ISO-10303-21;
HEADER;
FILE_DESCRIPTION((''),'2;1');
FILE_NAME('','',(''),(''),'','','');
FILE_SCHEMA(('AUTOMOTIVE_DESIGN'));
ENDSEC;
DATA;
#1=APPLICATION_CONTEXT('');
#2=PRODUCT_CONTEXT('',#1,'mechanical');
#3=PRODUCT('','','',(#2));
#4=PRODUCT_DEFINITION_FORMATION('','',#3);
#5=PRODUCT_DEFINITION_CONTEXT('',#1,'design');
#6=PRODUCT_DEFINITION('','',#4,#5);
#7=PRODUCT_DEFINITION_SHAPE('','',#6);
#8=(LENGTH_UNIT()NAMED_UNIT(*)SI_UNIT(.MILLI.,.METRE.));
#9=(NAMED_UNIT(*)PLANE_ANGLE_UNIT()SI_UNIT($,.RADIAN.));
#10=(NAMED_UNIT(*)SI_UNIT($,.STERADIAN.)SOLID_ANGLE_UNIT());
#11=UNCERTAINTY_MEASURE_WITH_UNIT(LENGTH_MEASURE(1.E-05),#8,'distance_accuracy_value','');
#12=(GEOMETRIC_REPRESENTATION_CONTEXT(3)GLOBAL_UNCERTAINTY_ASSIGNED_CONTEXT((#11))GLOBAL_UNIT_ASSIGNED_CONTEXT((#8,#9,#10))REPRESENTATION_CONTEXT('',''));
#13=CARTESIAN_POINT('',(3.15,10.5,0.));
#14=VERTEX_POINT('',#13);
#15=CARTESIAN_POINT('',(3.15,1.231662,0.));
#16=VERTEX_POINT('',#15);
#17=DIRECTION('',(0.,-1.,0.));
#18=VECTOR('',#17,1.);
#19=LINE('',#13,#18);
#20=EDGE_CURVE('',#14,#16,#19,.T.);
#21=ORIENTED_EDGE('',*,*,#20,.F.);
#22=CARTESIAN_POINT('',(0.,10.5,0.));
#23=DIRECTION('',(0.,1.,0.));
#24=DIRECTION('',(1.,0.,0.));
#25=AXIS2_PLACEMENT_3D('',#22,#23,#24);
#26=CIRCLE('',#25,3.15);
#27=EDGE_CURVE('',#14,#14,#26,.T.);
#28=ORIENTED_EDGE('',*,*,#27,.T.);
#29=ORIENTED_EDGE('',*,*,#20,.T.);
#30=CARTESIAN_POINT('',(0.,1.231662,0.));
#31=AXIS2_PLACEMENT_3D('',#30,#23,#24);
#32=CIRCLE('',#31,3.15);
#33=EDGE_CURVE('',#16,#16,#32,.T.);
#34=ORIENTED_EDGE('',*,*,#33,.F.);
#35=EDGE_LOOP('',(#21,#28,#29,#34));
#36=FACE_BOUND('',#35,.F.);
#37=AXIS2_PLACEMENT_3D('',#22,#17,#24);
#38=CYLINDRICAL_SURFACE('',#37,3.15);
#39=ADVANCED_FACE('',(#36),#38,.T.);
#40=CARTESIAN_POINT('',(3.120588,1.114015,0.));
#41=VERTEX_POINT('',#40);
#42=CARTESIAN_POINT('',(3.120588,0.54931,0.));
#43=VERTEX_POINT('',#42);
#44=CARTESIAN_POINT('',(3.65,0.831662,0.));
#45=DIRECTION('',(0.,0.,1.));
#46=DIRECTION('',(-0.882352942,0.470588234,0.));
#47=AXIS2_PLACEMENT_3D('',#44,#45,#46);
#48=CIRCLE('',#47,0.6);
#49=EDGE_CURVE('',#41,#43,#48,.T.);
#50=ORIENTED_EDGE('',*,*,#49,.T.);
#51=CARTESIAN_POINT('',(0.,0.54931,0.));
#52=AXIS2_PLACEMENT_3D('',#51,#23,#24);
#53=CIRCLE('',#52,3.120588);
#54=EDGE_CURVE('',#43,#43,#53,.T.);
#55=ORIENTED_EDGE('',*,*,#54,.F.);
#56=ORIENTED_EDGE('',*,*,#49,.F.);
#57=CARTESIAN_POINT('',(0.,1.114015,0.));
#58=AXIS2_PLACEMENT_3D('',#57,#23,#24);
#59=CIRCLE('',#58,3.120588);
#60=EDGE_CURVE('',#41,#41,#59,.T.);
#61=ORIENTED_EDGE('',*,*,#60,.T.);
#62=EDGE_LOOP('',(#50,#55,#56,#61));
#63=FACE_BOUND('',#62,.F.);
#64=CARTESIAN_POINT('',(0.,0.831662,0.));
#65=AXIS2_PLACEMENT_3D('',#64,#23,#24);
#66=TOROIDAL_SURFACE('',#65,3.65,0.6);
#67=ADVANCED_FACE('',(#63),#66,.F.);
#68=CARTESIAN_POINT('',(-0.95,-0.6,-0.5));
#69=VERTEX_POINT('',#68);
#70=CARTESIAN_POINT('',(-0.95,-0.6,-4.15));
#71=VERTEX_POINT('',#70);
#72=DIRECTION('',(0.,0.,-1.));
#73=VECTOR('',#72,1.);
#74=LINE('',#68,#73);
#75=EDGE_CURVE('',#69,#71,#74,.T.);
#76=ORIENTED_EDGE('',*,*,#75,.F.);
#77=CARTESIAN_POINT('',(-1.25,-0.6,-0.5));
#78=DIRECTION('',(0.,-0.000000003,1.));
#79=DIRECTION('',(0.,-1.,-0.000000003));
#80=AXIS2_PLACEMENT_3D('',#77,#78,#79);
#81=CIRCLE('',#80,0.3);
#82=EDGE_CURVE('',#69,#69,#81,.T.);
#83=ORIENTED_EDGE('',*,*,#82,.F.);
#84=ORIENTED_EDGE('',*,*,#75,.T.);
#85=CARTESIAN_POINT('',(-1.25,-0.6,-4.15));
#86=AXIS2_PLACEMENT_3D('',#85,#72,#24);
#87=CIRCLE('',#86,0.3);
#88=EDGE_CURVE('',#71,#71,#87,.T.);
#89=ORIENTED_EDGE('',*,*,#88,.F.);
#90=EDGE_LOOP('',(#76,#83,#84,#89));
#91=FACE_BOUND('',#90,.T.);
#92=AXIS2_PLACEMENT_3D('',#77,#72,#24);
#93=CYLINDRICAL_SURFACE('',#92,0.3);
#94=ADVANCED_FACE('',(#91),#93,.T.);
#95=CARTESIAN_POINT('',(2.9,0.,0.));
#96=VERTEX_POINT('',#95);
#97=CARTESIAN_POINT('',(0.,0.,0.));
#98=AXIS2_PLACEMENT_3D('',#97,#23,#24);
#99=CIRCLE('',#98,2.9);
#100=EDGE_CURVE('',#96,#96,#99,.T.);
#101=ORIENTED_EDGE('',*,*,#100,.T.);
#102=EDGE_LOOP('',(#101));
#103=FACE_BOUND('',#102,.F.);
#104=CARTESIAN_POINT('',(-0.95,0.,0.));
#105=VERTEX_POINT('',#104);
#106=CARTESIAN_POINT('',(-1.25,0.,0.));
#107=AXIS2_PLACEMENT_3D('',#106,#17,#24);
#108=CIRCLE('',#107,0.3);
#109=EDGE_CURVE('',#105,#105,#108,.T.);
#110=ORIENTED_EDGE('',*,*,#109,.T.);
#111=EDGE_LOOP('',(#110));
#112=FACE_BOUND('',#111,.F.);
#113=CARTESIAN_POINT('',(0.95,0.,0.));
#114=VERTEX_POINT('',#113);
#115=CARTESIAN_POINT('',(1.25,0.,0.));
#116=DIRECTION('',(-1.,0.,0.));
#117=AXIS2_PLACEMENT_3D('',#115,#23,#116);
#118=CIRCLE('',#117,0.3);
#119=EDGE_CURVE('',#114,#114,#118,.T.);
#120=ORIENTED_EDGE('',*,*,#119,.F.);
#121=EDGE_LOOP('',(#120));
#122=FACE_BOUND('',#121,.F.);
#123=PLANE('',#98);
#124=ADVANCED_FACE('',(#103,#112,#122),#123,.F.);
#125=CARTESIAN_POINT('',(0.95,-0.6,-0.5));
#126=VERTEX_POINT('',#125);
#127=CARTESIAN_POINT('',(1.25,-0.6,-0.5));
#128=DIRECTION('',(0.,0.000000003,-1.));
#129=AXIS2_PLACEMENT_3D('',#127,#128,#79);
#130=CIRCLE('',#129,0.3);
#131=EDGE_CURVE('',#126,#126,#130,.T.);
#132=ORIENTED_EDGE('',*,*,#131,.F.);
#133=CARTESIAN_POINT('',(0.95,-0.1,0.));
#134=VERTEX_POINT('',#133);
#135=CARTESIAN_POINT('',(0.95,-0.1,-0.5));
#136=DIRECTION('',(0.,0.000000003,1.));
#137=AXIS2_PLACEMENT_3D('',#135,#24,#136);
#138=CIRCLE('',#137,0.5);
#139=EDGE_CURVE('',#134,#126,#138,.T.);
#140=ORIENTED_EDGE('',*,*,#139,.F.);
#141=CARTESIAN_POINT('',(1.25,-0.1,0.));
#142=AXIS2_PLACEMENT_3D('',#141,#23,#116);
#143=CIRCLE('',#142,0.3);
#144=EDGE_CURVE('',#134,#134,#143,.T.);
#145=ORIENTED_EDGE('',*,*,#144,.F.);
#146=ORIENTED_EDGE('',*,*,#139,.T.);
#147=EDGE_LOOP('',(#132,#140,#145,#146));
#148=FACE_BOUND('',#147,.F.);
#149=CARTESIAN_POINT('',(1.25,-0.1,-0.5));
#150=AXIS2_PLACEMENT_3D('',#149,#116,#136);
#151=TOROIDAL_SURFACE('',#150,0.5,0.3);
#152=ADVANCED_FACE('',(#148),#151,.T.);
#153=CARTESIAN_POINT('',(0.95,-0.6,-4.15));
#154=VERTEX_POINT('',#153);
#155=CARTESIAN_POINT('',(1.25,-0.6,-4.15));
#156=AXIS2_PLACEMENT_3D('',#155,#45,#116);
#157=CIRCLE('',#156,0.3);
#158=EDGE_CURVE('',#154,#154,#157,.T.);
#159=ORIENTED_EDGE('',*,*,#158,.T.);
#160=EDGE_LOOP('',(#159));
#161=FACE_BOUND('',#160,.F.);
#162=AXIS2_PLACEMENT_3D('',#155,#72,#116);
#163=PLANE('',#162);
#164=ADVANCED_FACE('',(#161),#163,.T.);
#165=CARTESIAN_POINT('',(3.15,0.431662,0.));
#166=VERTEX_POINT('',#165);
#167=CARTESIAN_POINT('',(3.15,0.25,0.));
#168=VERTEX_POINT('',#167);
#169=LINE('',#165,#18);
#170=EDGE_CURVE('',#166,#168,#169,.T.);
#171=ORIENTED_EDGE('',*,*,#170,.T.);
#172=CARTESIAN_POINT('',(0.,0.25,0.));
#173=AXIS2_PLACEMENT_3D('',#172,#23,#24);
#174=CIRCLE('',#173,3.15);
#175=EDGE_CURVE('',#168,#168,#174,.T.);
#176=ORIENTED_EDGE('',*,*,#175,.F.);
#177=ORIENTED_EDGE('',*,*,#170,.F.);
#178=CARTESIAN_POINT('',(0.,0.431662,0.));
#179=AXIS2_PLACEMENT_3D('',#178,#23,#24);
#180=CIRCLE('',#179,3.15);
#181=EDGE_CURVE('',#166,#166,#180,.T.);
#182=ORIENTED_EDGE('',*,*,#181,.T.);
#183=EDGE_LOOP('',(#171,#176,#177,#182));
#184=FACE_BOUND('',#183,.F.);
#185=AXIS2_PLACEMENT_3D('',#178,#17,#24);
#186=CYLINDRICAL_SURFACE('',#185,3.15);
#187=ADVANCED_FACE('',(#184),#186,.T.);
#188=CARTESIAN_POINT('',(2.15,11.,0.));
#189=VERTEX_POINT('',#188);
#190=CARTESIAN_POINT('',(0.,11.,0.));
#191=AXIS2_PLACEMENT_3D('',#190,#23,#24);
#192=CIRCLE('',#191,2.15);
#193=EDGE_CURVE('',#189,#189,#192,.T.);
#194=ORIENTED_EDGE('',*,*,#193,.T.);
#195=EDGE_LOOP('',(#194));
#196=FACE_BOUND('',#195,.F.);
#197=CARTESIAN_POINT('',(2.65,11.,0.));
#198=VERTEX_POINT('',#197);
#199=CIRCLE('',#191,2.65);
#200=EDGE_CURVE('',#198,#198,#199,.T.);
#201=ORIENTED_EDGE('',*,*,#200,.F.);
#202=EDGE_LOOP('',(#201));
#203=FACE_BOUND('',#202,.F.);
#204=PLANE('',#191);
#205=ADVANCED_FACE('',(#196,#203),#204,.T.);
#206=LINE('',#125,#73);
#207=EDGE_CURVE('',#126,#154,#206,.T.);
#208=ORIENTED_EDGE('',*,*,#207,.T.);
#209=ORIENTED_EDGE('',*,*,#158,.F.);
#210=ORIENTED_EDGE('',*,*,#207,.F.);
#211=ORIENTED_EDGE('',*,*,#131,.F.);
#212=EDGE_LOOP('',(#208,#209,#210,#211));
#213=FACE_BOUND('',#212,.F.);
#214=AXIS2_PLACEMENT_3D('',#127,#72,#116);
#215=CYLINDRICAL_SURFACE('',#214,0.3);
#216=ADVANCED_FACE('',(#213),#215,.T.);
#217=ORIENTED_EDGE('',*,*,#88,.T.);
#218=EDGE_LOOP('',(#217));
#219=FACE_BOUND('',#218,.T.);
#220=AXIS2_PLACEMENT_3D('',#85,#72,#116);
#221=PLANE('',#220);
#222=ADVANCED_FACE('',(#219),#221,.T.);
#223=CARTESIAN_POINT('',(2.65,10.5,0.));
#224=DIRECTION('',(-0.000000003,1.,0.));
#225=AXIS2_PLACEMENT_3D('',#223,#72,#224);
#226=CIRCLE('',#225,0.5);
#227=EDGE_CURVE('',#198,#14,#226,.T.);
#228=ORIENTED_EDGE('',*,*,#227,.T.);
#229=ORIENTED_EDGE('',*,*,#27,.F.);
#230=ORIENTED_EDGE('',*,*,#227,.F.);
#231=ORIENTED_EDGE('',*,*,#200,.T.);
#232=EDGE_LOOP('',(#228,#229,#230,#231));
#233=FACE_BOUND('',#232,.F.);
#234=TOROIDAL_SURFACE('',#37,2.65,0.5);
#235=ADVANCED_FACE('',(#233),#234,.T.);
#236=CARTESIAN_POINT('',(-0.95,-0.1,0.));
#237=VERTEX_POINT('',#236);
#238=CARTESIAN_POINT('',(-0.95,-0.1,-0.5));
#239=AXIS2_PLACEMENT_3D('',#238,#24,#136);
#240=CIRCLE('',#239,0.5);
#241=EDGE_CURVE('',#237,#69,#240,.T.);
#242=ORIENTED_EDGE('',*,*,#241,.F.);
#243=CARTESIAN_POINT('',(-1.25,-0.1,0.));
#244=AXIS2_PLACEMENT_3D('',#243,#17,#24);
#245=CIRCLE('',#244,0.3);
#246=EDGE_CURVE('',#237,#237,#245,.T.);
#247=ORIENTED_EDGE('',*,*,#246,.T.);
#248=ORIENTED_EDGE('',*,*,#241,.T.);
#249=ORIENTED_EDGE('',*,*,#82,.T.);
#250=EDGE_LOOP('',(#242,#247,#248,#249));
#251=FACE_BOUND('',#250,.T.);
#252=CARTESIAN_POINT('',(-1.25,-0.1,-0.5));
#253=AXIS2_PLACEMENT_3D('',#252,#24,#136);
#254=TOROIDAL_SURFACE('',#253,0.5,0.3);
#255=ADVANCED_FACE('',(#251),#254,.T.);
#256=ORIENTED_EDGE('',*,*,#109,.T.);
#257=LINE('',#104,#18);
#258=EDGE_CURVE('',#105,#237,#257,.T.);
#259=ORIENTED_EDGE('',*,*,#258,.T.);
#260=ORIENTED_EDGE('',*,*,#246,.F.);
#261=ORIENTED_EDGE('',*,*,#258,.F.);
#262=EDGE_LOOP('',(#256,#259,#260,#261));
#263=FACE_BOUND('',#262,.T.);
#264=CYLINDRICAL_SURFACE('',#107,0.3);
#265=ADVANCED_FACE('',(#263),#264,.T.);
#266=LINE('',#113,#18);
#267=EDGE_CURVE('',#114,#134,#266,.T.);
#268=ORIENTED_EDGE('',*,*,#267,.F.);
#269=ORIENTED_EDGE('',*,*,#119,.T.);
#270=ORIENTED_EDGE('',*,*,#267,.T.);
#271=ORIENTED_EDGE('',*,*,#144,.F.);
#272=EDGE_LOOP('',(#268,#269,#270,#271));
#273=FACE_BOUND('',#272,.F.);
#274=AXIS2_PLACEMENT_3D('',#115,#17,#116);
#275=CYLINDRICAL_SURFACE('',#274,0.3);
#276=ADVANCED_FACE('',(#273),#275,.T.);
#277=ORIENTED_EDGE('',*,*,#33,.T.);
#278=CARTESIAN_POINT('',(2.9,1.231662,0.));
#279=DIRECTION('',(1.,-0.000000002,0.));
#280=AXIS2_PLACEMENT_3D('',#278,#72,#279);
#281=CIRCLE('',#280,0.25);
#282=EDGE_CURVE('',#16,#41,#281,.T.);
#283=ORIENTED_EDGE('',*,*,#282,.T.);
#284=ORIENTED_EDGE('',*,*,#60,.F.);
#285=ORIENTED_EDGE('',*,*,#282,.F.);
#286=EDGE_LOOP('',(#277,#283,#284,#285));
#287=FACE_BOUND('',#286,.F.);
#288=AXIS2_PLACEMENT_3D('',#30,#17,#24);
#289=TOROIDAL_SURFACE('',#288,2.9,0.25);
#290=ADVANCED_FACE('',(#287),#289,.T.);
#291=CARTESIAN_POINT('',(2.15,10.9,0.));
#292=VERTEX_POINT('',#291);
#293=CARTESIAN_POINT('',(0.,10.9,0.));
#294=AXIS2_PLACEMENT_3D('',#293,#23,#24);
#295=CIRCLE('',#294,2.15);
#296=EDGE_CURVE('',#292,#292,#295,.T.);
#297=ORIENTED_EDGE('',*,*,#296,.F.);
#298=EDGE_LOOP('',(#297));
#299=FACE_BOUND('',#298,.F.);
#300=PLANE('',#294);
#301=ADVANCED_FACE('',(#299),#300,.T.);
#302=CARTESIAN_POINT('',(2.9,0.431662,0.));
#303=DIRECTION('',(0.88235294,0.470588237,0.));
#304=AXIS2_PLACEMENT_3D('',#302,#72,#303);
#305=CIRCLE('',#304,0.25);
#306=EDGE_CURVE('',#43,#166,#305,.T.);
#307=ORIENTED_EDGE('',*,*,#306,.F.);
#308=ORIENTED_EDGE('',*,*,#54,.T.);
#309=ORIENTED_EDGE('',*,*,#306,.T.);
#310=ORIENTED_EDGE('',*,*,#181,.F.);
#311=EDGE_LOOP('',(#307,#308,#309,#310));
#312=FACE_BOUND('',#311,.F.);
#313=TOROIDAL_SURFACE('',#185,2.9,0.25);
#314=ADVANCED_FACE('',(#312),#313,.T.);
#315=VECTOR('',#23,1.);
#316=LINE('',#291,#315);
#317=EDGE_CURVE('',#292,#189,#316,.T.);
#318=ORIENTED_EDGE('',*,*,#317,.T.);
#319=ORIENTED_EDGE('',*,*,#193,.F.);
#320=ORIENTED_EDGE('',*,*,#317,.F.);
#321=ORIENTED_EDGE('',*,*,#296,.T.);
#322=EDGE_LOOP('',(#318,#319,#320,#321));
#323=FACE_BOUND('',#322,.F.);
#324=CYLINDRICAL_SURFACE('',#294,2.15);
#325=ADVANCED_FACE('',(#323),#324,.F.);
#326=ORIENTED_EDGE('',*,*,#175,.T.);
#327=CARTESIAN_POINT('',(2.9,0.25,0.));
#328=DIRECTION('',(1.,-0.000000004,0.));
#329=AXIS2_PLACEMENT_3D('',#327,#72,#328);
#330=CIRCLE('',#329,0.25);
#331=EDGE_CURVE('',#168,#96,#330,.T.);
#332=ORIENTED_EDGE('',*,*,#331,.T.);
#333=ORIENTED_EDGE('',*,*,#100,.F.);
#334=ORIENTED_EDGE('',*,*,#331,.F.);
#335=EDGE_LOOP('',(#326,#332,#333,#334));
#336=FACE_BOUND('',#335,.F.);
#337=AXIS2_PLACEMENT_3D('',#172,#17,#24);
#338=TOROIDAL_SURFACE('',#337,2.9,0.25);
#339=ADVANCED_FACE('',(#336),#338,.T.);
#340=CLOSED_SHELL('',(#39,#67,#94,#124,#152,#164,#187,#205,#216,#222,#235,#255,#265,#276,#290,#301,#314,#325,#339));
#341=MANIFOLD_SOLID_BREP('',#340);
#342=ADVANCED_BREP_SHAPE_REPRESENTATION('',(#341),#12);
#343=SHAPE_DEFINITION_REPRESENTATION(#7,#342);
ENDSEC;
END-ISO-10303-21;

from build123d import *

# Parameters (mm, degrees)
SKETCH4_R = 0.3


with BuildPart() as part:
    # Sketch1 → Revolve1 (revolve)
    with BuildSketch(Plane.XY):
        with BuildLine():
            Line((0, 10.9), (2.15, 10.9))
            Line((2.15, 10.9), (2.15, 11))
            Line((2.15, 11), (2.65, 11))
            ThreePointArc((2.65, 11), (3.003553391, 10.853553391), (3.15, 10.5))
            Line((3.15, 10.5), (3.15, 1.231662479))
            ThreePointArc((3.15, 1.231662479), (3.142535625, 1.171028573), (3.120588235, 1.11401542))
            ThreePointArc((3.120588235, 1.11401542), (3.05, 0.831662479), (3.120588235, 0.549309538))
            ThreePointArc((3.120588235, 0.549309538), (3.142535625, 0.492296385), (3.15, 0.431662479))
            Line((3.15, 0.431662479), (3.15, 0.25))
            ThreePointArc((3.15, 0.25), (3.076776695, 0.073223305), (2.9, 0))
            Line((2.9, 0), (0, 0))
            Line((0, 0), (0, 10.9))
        make_face()
    revolve(axis=Axis((0, 0, 0), (0, 1, 0)))

    # Sweep1: sweep along a path in Sketch5
    with BuildLine(Plane(origin=(-1.25, 0, 0), x_dir=(0, 0, -1), z_dir=(1, 0, 0))) as sweep1_path:
        Line((0, 0), (0, -0.1))
        ThreePointArc((0, -0.1), (0.146446609, -0.453553391), (0.5, -0.6))
        Line((0.5, -0.6), (4.15, -0.6))
    # Sketch4 → Sweep1 (sweep)
    with BuildSketch(Plane.XZ):
        with Locations((-1.25, 0)):
            Circle(SKETCH4_R)
    sweep1 = sweep(path=sweep1_path.line)

    # Mirror1: Sweep1 across plane
    add(sweep1.mirror(Plane(origin=(0, 0, 0), x_dir=(0, 0, 1), z_dir=(1, 0, 0))))


solid = part.part
